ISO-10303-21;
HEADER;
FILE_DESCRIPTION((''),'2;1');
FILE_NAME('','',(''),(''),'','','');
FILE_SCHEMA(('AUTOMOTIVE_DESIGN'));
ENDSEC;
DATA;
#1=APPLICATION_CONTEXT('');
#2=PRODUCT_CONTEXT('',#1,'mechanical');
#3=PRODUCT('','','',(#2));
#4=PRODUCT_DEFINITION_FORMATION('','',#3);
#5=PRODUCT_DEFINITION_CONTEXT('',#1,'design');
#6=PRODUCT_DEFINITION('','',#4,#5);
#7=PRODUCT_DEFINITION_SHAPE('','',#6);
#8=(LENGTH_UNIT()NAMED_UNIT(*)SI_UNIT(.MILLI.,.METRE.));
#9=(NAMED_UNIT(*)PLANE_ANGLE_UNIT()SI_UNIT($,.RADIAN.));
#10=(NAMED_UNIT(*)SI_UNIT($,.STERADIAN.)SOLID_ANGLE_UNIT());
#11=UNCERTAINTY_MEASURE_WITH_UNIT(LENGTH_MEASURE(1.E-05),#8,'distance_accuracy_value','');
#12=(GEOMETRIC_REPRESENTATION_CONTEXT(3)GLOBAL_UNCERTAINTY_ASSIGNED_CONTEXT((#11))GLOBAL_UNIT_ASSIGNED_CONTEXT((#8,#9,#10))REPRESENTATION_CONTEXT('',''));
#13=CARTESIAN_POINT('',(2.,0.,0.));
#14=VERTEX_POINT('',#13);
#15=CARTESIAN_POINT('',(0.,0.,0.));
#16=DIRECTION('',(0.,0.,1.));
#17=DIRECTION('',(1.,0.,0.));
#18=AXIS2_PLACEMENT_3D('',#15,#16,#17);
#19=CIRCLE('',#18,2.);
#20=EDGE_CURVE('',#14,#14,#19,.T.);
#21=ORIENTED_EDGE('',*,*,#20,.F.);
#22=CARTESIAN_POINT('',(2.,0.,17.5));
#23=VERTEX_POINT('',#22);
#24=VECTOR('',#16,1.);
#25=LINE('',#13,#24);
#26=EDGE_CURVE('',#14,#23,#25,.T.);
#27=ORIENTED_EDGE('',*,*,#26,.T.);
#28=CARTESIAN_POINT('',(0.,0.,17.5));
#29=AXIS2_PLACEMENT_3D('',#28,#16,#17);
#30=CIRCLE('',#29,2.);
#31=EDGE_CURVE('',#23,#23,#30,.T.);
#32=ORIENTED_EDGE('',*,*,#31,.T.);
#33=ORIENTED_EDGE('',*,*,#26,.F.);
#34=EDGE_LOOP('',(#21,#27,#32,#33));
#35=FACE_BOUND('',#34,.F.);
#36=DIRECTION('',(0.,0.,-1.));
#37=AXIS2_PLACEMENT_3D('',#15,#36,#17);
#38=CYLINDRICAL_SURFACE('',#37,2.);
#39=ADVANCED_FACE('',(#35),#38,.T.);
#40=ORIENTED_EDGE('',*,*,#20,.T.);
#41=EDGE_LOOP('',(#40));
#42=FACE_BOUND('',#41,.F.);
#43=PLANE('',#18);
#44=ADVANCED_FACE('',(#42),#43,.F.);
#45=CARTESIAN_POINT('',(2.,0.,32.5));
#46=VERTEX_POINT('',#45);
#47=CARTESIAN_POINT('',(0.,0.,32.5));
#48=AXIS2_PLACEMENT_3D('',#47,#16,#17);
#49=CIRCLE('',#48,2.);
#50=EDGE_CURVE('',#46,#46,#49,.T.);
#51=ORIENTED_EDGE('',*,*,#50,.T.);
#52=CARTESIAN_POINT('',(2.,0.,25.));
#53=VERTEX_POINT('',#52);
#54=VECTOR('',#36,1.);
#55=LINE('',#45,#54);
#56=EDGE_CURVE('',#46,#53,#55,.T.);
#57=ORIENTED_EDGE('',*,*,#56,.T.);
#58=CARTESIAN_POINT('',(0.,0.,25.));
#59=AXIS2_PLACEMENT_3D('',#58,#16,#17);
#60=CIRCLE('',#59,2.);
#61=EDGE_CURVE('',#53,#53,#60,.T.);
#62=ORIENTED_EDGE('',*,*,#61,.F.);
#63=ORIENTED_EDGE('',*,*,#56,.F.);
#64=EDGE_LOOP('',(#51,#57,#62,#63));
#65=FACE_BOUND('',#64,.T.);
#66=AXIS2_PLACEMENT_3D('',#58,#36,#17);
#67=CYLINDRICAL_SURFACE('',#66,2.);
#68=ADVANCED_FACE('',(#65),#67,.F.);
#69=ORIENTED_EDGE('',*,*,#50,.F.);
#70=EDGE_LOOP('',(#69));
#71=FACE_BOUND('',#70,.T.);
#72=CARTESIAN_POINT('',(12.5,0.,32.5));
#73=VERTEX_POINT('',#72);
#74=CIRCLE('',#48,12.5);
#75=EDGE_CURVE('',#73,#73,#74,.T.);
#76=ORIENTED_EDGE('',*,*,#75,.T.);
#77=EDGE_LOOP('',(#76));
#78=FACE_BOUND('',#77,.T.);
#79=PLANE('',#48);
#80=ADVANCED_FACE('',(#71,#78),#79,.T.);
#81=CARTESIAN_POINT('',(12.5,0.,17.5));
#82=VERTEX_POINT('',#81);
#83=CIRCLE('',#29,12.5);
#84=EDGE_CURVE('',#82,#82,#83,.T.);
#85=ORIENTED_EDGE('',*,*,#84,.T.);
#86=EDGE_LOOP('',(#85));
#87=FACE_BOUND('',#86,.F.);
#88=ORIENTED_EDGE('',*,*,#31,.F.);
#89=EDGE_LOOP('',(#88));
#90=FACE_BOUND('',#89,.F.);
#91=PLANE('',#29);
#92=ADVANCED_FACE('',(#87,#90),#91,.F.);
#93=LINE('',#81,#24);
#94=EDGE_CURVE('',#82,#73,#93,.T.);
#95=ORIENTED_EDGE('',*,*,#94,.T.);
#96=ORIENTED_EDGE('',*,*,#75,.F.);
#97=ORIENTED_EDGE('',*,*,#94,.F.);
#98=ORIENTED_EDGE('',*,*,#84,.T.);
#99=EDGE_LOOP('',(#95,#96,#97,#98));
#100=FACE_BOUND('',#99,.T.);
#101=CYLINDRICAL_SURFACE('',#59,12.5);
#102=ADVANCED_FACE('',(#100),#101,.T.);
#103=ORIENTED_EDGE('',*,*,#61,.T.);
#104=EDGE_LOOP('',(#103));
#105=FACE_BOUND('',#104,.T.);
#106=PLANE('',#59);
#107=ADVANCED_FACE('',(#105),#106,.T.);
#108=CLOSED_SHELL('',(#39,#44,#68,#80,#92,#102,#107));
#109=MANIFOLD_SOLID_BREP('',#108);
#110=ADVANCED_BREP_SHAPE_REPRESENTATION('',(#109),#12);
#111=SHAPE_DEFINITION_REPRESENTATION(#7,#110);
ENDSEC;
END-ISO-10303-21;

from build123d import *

# Parameters (mm, degrees)
F0_R     = 2
F1_DEPTH = 25
F2_R     = 12.5
F2_R_2   = 2
F3_DEPTH = 7.5


with BuildPart() as f1:
    # F0 (on Top) → F1 (new body)
    with BuildSketch(Plane.XY):
        Circle(F0_R)
    extrude(amount=F1_DEPTH)

    # F2 (on face) → F3 (join, symmetric)
    with BuildSketch(Plane.XY.offset(25)):
        Circle(F2_R)
        Circle(F2_R_2, mode=Mode.SUBTRACT)
    extrude(amount=F3_DEPTH, both=True)


solid = f1.part
